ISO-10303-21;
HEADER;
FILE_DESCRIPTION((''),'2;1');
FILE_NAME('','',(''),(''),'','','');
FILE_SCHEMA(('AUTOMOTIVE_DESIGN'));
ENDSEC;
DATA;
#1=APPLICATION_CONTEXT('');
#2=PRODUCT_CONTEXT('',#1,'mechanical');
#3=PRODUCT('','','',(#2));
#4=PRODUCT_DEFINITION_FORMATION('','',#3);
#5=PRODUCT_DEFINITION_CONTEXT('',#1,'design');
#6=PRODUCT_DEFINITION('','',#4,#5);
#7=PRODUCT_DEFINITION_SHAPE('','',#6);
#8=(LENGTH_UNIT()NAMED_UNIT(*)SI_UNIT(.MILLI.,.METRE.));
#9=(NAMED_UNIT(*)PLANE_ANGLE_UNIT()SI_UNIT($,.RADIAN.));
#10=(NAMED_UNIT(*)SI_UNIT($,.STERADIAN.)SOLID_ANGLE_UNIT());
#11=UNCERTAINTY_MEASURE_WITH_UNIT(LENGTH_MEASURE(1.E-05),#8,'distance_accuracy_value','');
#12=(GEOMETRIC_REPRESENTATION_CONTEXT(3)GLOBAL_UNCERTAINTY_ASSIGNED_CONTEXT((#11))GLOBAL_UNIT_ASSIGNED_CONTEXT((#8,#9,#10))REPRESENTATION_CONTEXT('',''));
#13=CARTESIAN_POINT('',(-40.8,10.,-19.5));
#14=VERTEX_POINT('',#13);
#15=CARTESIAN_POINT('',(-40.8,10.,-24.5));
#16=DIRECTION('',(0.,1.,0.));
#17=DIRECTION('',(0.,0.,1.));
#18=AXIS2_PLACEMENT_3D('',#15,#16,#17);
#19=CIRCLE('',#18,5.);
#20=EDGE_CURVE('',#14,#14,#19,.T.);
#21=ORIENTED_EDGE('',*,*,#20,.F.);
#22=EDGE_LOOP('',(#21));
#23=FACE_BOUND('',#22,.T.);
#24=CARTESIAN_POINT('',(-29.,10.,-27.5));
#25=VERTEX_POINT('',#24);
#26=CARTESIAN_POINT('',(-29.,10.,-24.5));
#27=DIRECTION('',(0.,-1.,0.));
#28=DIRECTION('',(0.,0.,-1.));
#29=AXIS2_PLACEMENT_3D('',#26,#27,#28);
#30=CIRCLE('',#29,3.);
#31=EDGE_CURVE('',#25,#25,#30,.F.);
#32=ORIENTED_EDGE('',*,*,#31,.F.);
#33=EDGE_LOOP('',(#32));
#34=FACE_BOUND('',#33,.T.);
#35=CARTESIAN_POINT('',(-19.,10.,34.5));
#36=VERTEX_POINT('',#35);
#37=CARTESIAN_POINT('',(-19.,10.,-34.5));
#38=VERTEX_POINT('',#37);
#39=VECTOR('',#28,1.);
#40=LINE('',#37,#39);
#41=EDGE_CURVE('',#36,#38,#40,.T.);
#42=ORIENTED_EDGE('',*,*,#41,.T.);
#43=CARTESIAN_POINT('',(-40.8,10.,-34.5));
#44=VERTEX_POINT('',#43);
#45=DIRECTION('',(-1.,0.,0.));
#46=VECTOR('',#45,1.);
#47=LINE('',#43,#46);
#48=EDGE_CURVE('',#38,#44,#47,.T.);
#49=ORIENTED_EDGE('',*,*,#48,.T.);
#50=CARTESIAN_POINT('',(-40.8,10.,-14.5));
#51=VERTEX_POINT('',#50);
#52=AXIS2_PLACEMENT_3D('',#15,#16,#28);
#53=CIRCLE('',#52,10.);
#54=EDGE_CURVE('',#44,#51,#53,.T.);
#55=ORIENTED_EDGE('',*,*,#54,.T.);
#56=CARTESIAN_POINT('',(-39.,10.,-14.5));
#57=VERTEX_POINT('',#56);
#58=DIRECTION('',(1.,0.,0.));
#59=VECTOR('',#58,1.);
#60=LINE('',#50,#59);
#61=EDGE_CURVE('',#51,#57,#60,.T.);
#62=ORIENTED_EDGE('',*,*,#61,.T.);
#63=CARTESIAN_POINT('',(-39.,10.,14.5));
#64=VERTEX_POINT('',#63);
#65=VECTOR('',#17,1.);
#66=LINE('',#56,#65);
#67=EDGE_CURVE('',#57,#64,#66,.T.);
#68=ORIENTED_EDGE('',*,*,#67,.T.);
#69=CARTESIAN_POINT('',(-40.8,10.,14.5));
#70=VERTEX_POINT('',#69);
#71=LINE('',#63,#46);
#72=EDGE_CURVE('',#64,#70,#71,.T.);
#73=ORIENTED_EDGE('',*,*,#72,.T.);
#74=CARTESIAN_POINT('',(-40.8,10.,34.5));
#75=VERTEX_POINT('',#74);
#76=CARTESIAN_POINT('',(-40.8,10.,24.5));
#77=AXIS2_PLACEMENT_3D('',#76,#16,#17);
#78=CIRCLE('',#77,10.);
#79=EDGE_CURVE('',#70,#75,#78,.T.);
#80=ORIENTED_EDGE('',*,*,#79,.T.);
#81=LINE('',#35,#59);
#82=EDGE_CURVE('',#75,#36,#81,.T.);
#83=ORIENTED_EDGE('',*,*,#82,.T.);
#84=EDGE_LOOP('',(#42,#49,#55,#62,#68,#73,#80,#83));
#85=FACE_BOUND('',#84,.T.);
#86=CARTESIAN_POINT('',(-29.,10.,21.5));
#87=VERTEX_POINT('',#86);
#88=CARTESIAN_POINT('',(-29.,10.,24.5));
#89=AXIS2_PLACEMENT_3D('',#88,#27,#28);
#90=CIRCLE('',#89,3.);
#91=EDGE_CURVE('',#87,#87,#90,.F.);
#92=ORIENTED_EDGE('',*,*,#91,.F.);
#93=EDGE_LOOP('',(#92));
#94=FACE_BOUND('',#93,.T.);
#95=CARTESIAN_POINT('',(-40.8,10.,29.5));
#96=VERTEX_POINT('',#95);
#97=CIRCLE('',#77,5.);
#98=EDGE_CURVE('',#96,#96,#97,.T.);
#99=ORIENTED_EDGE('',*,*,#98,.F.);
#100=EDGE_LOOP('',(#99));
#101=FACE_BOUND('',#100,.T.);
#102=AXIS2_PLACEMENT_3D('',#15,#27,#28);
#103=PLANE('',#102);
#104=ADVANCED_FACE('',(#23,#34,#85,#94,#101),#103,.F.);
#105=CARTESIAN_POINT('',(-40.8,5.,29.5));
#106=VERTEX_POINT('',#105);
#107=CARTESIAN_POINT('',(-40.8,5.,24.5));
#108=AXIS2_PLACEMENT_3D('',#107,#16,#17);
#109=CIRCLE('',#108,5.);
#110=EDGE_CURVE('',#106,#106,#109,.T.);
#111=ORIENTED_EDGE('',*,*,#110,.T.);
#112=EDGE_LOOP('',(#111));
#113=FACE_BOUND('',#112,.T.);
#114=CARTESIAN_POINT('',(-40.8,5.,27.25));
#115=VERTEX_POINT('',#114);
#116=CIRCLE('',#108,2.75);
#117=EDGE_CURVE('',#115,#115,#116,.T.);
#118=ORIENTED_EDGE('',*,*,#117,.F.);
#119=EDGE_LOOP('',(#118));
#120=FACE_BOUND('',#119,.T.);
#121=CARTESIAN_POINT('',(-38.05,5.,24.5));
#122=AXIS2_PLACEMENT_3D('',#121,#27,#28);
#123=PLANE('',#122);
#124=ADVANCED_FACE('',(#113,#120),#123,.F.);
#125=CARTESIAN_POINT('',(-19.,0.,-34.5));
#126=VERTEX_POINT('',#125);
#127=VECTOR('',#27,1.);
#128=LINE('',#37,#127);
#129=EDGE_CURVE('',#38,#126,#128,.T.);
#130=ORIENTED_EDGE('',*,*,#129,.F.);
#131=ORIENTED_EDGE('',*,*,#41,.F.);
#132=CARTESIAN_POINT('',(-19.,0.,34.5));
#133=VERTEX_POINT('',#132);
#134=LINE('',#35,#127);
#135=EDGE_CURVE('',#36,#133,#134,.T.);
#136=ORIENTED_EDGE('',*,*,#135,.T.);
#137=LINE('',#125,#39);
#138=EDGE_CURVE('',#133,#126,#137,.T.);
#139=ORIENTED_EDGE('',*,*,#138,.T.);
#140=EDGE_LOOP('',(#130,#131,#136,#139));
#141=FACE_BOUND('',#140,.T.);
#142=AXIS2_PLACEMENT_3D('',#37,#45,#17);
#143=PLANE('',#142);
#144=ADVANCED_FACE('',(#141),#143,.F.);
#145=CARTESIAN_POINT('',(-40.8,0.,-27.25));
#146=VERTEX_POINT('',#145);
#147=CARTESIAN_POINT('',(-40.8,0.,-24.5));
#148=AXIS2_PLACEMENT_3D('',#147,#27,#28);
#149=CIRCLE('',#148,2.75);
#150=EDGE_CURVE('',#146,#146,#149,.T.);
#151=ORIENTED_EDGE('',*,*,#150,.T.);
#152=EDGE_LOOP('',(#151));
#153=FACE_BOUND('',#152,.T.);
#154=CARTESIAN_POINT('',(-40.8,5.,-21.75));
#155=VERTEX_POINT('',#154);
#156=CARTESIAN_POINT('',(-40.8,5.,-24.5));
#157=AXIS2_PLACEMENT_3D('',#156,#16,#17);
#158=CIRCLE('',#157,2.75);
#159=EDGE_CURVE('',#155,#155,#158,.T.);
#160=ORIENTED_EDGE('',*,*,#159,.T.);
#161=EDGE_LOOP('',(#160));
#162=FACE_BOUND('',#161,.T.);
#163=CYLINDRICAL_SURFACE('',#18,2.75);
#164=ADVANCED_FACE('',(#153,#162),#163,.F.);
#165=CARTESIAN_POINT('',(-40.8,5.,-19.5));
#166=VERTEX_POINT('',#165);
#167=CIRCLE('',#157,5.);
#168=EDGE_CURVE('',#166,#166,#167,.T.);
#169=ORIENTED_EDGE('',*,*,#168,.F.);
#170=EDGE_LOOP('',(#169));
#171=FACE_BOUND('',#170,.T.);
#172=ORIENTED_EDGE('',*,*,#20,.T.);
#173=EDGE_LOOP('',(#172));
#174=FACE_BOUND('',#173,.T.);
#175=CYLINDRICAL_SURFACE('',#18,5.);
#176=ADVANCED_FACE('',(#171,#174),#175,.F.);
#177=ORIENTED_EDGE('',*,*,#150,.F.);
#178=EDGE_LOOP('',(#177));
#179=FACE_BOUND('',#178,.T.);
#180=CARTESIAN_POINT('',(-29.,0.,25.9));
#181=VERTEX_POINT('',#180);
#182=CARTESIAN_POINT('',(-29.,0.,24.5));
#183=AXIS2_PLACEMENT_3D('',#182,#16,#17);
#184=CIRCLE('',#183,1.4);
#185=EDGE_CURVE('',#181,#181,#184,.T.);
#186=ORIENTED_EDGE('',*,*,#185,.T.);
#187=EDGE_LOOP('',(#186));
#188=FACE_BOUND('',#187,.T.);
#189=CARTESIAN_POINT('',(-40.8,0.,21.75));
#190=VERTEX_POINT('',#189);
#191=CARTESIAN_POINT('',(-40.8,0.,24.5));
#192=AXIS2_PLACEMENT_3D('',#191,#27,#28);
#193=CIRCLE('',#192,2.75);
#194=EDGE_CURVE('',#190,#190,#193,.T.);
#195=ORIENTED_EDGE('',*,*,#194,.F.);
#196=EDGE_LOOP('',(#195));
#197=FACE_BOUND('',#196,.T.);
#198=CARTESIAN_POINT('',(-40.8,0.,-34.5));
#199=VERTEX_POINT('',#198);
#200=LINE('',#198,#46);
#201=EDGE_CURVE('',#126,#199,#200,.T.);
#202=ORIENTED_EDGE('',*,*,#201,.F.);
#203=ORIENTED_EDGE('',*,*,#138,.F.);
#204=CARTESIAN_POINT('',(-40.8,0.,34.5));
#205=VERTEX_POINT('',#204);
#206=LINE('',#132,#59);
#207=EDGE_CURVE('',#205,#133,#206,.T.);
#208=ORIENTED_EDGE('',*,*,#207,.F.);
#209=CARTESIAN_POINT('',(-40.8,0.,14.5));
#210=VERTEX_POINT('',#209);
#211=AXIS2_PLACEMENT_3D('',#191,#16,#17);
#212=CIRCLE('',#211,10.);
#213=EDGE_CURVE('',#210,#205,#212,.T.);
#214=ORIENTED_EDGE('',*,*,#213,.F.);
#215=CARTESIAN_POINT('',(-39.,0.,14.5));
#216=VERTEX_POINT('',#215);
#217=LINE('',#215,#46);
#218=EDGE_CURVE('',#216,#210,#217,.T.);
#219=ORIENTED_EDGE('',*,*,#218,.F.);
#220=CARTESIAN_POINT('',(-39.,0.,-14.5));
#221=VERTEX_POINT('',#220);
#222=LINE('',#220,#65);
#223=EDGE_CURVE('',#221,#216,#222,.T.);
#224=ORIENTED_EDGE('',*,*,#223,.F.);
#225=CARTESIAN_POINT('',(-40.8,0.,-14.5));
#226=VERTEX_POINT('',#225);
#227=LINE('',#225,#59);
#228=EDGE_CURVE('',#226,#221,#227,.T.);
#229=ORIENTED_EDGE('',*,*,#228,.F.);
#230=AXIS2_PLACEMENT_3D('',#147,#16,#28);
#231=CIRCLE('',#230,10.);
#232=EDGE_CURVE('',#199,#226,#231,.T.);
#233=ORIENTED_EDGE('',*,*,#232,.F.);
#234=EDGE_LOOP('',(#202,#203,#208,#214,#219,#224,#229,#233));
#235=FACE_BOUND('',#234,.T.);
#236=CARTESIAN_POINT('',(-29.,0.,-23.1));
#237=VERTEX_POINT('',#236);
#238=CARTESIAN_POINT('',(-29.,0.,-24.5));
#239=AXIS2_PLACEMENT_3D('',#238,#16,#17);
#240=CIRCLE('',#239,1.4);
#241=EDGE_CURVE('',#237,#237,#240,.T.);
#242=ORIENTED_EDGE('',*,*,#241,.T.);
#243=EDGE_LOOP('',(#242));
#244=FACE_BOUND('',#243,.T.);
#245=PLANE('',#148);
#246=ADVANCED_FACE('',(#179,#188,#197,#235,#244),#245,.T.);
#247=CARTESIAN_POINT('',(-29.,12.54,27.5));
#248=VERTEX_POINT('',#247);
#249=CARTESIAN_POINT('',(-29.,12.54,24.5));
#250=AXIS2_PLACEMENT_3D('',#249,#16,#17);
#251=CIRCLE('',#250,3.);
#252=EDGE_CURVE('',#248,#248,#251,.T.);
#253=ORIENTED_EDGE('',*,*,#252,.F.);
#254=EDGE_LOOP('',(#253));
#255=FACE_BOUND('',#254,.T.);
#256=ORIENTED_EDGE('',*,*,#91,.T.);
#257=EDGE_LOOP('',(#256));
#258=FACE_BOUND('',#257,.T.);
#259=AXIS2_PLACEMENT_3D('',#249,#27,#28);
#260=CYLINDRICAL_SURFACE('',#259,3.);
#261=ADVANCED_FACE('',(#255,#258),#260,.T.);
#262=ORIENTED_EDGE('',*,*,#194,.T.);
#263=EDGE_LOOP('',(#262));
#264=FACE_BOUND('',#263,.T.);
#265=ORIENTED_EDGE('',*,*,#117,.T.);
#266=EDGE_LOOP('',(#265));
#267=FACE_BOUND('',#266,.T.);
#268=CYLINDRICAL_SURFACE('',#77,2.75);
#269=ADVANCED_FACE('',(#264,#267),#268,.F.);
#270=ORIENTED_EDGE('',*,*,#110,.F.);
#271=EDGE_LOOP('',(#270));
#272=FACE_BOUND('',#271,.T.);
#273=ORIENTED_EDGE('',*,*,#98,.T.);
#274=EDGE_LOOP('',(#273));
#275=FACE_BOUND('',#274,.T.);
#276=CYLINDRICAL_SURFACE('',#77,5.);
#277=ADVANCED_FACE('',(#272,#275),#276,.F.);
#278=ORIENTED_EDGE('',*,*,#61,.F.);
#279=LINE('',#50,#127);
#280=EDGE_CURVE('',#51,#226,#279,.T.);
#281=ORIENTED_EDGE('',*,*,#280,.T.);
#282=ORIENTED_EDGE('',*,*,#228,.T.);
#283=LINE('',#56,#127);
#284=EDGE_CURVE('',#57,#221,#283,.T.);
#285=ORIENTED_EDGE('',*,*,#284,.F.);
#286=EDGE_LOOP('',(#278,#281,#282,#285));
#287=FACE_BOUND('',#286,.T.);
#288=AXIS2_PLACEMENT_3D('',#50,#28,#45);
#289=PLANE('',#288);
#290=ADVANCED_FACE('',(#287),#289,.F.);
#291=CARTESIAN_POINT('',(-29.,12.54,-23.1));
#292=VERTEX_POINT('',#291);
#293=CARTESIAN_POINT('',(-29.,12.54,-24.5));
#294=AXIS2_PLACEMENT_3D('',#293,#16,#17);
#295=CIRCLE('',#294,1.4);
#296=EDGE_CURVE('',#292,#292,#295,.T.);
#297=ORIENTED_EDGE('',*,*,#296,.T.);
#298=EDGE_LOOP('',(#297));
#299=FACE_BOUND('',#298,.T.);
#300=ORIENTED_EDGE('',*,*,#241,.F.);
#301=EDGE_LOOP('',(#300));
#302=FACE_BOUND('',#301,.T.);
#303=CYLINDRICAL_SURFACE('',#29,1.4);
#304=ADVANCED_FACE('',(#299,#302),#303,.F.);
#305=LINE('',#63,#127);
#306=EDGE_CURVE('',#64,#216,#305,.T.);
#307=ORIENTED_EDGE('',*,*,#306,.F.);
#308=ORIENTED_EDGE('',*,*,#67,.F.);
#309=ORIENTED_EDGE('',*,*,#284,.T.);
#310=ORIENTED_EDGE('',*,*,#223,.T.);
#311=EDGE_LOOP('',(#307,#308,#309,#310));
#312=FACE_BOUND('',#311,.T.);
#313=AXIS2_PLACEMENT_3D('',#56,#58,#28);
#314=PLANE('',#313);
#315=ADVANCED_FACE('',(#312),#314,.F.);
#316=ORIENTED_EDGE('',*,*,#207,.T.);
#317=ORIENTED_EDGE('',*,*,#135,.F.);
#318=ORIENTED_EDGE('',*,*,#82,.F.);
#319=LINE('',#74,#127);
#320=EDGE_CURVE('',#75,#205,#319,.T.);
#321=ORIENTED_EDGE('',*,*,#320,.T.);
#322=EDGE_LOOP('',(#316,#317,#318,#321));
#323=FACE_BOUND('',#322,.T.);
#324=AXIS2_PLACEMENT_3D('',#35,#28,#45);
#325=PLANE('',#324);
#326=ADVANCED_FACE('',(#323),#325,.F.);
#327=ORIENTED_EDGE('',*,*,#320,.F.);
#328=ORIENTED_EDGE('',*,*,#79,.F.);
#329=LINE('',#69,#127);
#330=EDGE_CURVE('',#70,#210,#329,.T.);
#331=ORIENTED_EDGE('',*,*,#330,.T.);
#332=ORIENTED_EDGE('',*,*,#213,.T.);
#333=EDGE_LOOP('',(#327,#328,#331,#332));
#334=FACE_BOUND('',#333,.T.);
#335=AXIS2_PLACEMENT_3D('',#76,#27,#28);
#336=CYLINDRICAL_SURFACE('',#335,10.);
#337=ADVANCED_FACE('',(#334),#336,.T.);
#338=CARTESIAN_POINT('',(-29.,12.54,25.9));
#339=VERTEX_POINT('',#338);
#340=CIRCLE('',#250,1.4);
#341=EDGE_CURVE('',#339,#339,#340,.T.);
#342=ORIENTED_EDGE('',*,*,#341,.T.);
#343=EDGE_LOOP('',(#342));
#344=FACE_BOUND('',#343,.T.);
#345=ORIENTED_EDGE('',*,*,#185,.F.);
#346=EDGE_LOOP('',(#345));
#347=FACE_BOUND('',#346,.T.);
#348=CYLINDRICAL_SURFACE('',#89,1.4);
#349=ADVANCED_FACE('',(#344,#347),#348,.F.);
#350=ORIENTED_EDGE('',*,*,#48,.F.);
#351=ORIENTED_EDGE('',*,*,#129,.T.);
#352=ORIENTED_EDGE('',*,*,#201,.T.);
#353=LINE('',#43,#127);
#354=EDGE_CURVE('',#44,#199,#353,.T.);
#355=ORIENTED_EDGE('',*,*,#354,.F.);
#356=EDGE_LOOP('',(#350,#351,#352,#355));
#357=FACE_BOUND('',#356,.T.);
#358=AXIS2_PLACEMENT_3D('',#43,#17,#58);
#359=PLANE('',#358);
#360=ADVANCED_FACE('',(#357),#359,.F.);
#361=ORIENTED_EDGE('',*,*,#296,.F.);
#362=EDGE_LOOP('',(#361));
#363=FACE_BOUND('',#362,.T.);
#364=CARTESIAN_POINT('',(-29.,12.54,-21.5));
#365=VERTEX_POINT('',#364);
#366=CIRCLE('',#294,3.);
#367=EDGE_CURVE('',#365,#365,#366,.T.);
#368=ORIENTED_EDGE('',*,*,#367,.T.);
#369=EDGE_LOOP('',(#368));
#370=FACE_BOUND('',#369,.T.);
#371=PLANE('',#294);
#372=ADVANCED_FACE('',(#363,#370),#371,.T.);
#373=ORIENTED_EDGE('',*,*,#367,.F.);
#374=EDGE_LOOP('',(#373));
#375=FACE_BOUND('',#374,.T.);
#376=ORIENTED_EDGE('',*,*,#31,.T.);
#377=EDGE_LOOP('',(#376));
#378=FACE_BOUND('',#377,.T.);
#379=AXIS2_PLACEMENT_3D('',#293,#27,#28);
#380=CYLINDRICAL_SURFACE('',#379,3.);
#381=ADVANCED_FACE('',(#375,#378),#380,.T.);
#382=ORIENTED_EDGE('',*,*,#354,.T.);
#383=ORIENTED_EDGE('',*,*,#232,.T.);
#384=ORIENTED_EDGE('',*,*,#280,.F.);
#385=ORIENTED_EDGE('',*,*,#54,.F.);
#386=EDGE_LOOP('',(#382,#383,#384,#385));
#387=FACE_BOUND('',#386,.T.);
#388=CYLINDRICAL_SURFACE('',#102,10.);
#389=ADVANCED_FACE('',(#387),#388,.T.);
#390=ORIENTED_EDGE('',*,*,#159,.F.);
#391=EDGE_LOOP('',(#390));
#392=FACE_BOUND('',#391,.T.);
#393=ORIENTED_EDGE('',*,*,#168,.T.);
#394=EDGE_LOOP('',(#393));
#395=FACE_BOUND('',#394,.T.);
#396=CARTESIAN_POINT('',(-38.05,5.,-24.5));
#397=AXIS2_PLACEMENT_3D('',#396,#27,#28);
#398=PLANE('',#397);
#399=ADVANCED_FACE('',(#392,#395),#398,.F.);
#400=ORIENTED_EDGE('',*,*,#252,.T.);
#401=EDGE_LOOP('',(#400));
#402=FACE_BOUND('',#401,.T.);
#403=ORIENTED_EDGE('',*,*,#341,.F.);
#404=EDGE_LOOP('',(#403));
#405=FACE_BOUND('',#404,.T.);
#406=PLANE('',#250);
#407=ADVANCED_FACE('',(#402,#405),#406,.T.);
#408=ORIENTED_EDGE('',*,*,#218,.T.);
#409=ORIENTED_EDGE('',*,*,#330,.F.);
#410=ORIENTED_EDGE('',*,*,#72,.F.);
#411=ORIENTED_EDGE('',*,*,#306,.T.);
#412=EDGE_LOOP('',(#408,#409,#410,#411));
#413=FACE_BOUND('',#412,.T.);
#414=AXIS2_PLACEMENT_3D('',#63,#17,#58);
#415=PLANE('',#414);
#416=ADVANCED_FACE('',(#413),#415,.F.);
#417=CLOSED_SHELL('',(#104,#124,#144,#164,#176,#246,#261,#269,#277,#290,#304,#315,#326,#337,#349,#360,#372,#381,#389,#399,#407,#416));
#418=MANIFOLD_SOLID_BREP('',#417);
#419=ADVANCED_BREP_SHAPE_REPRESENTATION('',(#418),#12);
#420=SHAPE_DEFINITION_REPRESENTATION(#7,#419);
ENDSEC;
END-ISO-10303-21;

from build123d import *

# Parameters (mm, degrees)
SKETCH2_R                      = 1.4
BOSS_EXTRUDE1_DEPTH            = 10
SKETCH3_R                      = 3
SKETCH3_R_2                    = 1.4
BOSS_EXTRUDE2_DEPTH            = 2.54
CBORE_FOR_M5_SHCS1_D           = 5.5
CBORE_FOR_M5_SHCS1_DEPTH       = 12
CBORE_FOR_M5_SHCS1_CBORE_D     = 10
CBORE_FOR_M5_SHCS1_CBORE_DEPTH = 5
CBORE_FOR_M5_SHCS1_TIP         = 1.652366702


with BuildPart() as part:
    # Sketch2 → Boss-Extrude1 (new body)
    with BuildSketch(Plane(origin=(0, 0, 0), x_dir=(1, 0, 0), z_dir=(0, 1, 0))):
        with BuildLine():
            Line((-40.8, 14.5), (-39, 14.5))
            Line((-39, 14.5), (-39, -14.5))
            Line((-39, -14.5), (-40.8, -14.5))
            ThreePointArc((-40.8, -14.5), (-50.8, -24.5), (-40.8, -34.5))
            Line((-40.8, -34.5), (-19, -34.5))
            Line((-19, -34.5), (-19, 34.5))
            Line((-19, 34.5), (-40.8, 34.5))
            ThreePointArc((-40.8, 34.5), (-50.8, 24.5), (-40.8, 14.5))
        make_face()
        with Locations(Location((-29, -24.5, 0), (0, 0, 270))):
            Circle(SKETCH2_R, mode=Mode.SUBTRACT)
        with Locations(Location((-29, 24.5, 0), (0, 0, 270))):
            Circle(SKETCH2_R, mode=Mode.SUBTRACT)
    extrude(amount=BOSS_EXTRUDE1_DEPTH)

    # Sketch3 → Boss-Extrude2 (add)
    # profile 1 of 2: a face of its own
    with BuildSketch(Plane(origin=(0, 10, 0), x_dir=(1, 0, 0), z_dir=(0, 1, 0))):
        with Locations(Location((-29, 24.5, 0), (0, 0, 90))):
            Circle(SKETCH3_R)
        with Locations(Location((-29, 24.5, 0), (0, 0, 270))):
            Circle(SKETCH3_R_2, mode=Mode.SUBTRACT)
    # profile 2 of 2: a face of its own
    with BuildSketch(Plane(origin=(0, 10, 0), x_dir=(1, 0, 0), z_dir=(0, 1, 0))):
        with Locations(Location((-29, -24.5, 0), (0, 0, 90))):
            Circle(SKETCH3_R)
        with Locations(Location((-29, -24.5, 0), (0, 0, 270))):
            Circle(SKETCH3_R_2, mode=Mode.SUBTRACT)
    extrude(amount=BOSS_EXTRUDE2_DEPTH)

    # CBORE for M5 SHCS1
    with Locations(Plane(origin=(0, 10, 0), x_dir=(1, 0, 0), z_dir=(0, 1, 0))):
        with Locations((-40.8, -24.5), (-40.8, 24.5)):
            CounterBoreHole(CBORE_FOR_M5_SHCS1_D / 2, CBORE_FOR_M5_SHCS1_CBORE_D / 2, CBORE_FOR_M5_SHCS1_CBORE_DEPTH, depth=CBORE_FOR_M5_SHCS1_DEPTH)
            with Locations((0, 0, -(CBORE_FOR_M5_SHCS1_DEPTH + CBORE_FOR_M5_SHCS1_TIP / 2))):  # 118° drill point
                Cone(0, CBORE_FOR_M5_SHCS1_D / 2, CBORE_FOR_M5_SHCS1_TIP, mode=Mode.SUBTRACT)


solid = part.part
